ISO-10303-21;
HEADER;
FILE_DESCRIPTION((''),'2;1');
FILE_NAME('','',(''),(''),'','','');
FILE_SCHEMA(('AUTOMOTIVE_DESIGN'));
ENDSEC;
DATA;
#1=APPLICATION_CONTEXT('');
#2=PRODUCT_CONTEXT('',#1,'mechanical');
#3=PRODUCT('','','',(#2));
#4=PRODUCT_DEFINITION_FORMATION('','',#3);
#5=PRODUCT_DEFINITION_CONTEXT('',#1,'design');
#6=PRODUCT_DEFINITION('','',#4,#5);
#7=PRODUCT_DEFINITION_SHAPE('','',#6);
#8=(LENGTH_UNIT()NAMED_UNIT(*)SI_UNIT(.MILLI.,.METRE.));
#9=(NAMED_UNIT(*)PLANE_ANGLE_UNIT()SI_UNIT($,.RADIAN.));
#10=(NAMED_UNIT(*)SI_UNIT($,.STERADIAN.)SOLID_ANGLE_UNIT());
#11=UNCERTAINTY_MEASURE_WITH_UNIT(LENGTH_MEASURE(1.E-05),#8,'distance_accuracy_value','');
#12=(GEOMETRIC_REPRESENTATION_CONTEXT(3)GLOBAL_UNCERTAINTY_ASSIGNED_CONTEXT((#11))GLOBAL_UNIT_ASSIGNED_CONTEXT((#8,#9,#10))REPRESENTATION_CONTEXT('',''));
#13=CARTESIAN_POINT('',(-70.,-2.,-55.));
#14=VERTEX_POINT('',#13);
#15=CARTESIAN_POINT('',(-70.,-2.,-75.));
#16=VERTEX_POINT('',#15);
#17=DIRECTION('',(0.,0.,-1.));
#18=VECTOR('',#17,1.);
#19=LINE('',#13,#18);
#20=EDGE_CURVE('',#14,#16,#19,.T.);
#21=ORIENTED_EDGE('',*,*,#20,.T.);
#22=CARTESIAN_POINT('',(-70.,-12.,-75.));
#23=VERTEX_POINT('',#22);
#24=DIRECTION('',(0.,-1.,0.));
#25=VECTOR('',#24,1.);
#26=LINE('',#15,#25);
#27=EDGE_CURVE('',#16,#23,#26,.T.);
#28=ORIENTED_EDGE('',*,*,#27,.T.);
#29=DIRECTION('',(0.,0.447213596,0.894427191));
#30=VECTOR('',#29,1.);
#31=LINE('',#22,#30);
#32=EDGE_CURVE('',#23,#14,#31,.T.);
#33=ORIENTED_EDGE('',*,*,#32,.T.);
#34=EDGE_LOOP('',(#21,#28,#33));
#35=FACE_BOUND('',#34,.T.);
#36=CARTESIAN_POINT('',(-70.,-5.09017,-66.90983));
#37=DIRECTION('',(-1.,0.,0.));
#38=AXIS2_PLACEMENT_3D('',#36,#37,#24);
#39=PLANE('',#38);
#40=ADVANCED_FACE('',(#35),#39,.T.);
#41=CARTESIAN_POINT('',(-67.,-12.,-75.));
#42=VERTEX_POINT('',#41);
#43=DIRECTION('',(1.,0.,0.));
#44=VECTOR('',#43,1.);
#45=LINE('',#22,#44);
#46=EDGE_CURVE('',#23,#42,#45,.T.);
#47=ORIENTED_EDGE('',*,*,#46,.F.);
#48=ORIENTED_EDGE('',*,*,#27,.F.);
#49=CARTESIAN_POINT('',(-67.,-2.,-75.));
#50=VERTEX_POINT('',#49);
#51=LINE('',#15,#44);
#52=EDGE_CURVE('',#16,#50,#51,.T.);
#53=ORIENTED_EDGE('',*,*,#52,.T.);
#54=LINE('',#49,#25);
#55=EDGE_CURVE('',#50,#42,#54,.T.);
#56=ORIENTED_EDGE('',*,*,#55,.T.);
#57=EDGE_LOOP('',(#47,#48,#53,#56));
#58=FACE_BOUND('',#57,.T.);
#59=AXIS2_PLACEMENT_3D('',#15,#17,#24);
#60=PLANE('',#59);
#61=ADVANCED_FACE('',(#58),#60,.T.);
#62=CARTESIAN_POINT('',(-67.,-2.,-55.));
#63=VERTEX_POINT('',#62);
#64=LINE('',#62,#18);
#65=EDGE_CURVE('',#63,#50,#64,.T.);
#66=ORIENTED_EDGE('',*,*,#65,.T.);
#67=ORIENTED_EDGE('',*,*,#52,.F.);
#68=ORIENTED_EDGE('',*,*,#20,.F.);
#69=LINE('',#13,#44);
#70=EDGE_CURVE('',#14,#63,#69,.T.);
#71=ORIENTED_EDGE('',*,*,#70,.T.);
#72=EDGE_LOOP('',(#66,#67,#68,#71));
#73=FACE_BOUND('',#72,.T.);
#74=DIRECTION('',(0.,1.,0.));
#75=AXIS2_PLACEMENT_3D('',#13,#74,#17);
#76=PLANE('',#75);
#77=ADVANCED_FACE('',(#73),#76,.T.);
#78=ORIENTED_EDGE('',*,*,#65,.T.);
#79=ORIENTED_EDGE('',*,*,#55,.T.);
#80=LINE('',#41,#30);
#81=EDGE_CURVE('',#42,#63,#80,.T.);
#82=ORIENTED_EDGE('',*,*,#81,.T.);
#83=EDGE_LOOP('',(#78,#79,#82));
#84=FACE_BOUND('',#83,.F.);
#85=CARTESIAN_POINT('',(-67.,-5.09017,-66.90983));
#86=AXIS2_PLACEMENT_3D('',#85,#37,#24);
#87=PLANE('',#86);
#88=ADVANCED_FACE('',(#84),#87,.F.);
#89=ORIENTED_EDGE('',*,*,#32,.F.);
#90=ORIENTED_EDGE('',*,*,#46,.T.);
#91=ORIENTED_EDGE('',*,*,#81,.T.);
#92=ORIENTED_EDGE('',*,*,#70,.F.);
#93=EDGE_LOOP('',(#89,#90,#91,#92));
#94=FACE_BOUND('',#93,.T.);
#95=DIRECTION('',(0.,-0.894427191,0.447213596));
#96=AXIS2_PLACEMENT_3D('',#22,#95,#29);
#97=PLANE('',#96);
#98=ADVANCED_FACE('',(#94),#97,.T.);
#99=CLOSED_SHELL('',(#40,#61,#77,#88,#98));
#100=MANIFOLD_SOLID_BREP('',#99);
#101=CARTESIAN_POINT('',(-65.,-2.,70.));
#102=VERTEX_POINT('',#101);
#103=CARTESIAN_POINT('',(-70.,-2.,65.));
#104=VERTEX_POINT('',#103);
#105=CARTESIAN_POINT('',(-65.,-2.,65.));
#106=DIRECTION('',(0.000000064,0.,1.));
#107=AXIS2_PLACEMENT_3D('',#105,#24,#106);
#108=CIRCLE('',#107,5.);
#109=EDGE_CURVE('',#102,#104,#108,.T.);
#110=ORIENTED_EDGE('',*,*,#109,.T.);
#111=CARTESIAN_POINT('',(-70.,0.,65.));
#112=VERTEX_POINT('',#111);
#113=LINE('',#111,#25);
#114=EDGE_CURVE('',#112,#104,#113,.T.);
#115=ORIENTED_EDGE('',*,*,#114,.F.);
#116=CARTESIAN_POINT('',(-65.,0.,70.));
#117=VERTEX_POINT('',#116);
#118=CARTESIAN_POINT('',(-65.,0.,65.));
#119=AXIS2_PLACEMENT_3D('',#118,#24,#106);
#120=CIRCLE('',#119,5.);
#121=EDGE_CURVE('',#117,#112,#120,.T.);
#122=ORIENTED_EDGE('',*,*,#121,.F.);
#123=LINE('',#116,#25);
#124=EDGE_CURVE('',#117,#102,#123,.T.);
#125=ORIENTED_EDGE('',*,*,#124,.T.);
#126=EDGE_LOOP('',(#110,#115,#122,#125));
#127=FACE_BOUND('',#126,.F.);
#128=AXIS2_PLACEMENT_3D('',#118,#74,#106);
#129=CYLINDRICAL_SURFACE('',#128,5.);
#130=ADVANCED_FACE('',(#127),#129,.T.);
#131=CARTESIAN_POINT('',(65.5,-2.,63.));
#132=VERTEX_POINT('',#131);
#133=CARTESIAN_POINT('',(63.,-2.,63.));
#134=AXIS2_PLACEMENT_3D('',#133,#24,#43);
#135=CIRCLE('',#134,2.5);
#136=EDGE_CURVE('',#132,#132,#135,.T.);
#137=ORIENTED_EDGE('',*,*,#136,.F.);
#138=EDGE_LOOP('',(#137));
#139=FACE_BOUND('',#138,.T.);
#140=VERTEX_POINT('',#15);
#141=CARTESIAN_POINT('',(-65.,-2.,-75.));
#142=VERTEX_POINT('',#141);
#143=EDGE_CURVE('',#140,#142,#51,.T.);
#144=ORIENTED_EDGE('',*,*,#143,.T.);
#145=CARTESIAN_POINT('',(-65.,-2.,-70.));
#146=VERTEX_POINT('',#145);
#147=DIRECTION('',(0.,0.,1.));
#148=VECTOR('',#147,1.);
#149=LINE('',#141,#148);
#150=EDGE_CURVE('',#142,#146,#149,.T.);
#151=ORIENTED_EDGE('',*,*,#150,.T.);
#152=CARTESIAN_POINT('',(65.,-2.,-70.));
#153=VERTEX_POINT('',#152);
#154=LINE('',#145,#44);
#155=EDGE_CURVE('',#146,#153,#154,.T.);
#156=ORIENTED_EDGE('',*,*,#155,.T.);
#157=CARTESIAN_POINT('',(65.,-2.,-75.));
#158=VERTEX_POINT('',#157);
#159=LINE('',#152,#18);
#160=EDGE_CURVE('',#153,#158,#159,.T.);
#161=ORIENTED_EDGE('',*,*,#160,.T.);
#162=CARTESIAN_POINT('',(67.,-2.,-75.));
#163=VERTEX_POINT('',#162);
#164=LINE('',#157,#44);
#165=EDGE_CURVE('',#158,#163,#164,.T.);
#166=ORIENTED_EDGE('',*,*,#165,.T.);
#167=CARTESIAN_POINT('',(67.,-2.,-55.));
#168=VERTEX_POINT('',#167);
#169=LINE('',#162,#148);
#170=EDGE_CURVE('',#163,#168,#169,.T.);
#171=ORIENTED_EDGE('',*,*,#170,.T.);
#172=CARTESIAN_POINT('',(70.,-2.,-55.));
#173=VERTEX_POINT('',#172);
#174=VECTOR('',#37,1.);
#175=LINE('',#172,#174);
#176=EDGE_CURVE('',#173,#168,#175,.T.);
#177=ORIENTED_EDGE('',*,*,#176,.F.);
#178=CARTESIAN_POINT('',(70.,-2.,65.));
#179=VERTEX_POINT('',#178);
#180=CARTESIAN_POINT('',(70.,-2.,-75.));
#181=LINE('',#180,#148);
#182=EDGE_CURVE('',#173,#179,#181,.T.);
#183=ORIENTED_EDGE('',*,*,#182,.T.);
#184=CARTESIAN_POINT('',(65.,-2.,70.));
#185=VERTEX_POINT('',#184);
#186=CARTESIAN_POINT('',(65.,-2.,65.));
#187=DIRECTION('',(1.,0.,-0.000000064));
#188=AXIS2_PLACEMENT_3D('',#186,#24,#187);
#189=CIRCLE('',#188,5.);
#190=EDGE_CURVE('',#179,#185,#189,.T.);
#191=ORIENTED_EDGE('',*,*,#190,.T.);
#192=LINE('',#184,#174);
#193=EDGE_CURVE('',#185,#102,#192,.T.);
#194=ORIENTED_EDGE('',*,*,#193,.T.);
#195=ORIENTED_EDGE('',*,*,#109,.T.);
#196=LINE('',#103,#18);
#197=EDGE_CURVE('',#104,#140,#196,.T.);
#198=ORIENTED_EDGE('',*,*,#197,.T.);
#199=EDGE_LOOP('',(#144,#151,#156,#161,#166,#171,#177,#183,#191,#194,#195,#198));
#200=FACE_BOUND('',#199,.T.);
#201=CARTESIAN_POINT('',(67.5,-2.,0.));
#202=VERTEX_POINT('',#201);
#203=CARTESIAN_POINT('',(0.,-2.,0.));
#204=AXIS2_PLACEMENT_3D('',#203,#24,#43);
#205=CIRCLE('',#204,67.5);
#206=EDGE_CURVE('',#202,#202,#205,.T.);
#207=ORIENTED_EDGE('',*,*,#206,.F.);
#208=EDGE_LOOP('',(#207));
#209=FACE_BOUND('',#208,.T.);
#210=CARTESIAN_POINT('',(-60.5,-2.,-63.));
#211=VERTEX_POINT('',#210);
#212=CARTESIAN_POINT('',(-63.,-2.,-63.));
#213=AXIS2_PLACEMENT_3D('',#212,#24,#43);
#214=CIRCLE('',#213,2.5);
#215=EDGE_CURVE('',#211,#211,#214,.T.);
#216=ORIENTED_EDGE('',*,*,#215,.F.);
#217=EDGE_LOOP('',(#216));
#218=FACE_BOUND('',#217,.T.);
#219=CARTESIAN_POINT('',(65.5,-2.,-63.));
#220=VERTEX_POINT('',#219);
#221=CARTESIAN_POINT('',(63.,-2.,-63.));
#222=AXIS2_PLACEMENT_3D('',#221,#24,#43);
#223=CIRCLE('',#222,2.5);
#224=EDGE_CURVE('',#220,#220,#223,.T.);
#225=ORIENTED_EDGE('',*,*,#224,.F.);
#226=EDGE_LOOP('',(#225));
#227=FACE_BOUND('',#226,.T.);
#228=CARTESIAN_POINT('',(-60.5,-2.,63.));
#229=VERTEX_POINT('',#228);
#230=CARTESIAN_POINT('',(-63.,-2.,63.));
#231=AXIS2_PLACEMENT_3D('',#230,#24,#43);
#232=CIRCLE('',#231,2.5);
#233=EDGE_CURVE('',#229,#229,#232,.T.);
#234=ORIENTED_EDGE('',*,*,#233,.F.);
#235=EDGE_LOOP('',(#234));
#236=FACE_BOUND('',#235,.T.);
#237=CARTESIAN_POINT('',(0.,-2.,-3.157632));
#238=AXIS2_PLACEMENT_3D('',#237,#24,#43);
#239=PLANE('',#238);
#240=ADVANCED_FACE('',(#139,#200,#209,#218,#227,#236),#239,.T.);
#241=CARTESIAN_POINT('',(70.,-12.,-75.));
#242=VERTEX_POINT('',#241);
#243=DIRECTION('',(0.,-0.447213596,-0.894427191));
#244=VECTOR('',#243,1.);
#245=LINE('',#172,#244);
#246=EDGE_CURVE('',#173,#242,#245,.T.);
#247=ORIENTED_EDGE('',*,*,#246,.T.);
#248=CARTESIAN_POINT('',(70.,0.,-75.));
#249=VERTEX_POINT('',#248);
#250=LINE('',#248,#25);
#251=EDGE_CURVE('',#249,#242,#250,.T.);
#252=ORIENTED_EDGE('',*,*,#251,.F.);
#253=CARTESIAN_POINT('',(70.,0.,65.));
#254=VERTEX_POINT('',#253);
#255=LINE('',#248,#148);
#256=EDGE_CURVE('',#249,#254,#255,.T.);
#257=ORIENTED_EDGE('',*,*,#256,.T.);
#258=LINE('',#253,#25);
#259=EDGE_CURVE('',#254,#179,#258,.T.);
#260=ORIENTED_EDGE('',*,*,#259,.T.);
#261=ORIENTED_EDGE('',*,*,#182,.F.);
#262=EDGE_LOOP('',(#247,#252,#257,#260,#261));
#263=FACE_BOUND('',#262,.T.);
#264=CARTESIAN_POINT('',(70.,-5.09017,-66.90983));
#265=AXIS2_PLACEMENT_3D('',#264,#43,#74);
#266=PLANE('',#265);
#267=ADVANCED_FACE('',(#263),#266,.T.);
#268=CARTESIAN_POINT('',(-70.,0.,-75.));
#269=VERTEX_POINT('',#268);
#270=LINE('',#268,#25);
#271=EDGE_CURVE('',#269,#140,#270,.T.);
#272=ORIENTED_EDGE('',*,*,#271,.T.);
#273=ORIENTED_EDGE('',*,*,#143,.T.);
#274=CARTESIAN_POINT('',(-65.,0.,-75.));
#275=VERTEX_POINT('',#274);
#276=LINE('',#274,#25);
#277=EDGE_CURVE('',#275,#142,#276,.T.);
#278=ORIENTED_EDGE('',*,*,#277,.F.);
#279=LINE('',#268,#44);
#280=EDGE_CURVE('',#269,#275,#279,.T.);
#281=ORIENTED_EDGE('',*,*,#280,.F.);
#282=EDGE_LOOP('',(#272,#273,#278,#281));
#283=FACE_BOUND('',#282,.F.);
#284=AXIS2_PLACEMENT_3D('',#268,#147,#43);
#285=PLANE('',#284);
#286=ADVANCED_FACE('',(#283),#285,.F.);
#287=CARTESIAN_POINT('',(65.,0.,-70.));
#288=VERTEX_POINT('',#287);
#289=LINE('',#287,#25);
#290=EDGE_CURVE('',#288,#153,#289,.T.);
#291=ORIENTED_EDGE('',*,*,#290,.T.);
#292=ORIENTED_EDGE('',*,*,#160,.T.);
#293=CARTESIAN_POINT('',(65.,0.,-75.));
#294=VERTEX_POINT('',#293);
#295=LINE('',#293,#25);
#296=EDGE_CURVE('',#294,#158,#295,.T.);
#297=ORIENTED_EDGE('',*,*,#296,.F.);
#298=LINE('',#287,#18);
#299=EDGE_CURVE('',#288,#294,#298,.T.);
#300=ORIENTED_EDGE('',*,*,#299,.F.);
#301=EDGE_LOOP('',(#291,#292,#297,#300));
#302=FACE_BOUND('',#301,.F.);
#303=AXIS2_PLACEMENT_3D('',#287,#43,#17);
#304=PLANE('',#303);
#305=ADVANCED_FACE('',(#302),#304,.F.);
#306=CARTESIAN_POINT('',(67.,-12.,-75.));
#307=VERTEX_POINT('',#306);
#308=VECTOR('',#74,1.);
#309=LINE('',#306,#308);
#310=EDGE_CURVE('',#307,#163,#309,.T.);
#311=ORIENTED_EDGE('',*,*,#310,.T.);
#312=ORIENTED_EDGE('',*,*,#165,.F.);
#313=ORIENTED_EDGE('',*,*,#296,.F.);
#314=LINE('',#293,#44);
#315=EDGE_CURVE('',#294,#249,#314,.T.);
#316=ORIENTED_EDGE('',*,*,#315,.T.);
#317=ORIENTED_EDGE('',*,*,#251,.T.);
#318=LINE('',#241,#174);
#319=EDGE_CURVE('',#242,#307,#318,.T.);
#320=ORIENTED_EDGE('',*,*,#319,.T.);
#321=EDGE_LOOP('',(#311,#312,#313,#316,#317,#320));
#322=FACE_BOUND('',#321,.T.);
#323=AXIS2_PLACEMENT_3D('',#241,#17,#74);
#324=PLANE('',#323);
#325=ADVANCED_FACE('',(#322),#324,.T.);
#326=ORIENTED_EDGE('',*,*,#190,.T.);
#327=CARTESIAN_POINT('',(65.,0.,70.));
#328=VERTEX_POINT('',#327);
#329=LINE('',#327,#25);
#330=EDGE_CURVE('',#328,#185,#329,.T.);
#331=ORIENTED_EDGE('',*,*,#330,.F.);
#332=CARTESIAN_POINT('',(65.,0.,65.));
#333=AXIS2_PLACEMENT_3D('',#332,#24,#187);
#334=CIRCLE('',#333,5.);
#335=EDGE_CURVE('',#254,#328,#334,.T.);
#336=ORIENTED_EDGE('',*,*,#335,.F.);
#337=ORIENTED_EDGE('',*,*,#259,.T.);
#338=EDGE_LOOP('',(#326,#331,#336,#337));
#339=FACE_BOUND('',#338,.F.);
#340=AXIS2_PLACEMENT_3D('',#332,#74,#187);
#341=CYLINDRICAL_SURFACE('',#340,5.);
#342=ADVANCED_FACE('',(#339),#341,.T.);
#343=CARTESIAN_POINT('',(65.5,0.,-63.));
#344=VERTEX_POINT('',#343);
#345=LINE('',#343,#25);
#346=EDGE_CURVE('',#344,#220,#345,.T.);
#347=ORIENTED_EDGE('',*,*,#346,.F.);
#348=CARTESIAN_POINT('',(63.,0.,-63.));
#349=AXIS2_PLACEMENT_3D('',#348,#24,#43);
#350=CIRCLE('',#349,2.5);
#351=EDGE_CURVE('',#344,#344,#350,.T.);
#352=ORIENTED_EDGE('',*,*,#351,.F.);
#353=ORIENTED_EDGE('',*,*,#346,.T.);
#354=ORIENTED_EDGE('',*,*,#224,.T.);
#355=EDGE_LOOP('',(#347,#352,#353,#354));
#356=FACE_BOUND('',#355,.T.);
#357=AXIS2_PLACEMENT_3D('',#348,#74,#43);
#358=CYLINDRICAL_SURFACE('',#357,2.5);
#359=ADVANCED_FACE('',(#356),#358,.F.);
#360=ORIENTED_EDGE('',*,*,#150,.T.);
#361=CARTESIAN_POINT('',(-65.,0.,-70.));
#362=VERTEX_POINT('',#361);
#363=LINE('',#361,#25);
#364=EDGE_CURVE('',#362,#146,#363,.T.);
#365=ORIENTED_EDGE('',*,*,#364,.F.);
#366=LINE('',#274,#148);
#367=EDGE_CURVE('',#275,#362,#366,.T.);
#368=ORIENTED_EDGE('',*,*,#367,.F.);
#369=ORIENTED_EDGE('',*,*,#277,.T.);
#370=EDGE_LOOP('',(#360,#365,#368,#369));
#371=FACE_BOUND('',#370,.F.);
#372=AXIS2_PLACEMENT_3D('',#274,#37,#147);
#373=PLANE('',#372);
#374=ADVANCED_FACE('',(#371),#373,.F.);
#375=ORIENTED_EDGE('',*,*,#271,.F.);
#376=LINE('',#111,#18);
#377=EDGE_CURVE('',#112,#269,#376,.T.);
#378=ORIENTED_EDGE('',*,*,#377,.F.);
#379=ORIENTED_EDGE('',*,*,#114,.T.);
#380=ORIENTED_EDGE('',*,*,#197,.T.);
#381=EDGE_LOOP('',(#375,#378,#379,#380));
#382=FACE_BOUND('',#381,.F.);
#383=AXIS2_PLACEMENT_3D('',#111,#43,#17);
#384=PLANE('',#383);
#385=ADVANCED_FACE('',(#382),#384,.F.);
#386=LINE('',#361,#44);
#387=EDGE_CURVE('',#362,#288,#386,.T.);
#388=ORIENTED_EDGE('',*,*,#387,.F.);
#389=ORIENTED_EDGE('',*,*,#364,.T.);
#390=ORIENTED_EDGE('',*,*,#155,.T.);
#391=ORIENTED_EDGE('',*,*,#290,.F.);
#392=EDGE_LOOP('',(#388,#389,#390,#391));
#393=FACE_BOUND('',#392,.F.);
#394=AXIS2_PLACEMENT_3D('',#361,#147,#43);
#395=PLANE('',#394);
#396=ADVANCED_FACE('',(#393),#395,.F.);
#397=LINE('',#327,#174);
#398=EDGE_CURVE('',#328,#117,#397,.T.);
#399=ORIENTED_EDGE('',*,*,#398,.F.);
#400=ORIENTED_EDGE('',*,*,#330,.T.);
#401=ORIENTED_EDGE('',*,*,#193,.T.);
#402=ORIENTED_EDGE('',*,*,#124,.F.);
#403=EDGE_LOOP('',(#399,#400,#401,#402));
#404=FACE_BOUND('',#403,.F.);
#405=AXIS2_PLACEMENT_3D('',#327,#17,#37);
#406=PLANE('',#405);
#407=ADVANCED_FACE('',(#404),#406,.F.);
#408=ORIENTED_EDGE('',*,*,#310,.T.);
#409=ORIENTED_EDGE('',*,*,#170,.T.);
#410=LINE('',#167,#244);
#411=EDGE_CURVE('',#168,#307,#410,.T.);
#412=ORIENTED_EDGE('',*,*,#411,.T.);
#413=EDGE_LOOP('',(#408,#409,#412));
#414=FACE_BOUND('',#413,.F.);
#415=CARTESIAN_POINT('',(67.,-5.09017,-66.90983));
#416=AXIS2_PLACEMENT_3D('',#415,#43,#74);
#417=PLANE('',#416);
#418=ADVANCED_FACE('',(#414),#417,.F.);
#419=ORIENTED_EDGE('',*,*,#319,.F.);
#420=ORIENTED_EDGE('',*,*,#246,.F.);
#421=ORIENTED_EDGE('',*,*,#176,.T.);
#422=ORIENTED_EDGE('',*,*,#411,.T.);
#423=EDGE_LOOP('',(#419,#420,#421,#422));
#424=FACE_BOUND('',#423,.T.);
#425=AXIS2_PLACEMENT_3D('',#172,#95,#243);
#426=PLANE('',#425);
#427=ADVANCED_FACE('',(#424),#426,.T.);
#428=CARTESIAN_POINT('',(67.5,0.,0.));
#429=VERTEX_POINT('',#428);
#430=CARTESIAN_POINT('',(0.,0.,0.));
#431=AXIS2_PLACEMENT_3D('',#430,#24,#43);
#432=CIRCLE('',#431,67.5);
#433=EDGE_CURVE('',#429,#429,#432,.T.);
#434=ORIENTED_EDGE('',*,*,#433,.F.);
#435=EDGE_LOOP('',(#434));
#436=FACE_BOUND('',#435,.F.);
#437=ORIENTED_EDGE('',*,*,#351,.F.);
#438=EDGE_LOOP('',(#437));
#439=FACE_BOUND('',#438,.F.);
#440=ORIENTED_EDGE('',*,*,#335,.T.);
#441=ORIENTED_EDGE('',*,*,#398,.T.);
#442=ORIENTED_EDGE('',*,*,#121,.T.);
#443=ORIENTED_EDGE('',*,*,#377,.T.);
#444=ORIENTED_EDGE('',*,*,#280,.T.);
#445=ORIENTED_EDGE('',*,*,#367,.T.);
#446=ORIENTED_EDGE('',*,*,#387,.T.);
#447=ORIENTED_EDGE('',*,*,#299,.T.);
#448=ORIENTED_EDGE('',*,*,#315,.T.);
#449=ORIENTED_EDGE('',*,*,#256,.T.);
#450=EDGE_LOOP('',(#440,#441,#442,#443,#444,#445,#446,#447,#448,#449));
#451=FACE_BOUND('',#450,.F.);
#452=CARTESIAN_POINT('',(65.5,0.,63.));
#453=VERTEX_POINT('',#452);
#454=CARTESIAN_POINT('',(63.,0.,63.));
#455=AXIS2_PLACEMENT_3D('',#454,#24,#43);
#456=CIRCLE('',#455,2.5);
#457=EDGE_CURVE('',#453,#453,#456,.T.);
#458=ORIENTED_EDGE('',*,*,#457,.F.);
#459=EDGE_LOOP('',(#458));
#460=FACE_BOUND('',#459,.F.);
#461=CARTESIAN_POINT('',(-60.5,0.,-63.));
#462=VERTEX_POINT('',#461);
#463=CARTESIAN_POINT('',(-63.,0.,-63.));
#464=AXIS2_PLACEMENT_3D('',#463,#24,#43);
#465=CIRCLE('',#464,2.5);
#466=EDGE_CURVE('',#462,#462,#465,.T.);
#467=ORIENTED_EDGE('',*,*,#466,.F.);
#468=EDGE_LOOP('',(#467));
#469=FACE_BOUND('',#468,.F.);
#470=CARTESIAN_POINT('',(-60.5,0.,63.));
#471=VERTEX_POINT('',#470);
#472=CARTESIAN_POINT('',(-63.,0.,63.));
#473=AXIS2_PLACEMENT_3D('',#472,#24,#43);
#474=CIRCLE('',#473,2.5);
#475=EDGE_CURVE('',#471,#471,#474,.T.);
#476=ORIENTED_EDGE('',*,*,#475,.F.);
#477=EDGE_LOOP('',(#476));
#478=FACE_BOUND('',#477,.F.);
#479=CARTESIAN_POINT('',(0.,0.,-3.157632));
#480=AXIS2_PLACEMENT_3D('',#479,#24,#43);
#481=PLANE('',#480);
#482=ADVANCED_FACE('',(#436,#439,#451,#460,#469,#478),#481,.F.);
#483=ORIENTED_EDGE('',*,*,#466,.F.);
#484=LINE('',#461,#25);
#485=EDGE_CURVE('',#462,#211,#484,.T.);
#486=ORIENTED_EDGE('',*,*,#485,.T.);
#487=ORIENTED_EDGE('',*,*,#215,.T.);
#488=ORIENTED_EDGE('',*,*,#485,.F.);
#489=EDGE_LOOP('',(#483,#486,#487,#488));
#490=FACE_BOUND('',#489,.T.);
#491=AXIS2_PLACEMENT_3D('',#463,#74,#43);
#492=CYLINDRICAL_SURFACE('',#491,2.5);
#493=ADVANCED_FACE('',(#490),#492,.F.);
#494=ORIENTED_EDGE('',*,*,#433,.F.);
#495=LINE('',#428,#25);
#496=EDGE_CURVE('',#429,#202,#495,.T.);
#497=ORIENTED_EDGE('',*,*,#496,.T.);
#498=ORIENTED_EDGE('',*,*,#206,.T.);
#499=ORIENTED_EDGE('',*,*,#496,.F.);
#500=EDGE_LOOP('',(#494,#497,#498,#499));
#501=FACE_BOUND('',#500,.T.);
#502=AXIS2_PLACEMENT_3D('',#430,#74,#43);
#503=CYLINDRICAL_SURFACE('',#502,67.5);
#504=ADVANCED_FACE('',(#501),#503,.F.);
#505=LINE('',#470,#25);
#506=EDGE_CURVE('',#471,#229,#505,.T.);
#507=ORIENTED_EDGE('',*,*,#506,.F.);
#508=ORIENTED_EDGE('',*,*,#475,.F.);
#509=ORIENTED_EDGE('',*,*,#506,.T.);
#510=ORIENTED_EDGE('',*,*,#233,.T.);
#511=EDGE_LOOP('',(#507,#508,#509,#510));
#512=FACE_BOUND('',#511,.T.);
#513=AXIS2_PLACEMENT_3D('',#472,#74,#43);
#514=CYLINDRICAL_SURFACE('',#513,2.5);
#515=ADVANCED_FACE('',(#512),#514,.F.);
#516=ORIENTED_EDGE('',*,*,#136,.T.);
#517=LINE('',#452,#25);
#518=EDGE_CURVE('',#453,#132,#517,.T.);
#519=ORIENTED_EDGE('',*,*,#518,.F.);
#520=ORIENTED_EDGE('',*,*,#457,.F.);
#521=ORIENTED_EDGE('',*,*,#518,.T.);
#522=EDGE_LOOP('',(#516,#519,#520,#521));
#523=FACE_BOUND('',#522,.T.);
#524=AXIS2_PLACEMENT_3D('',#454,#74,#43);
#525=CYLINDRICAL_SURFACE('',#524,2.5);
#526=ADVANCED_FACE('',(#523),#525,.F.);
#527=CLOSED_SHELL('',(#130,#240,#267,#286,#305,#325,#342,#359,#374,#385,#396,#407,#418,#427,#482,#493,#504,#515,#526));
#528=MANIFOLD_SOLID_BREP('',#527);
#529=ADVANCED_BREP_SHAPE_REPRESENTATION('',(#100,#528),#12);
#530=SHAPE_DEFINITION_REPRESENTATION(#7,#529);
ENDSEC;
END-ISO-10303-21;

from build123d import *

# Parameters (mm, degrees)
F0_R     = 2.5
F0_R_2   = 67.5
F1_DEPTH = 2
F3_DEPTH = 3
F5_DEPTH = 3


with BuildPart() as f1:
    # F0 (on Front) → F1 (new body)
    with BuildSketch(Plane.XZ):
        with BuildLine():
            Line((-65, -75), (-65, -70))
            Line((-65, -70), (65, -70))
            Line((65, -70), (65, -75))
            Line((65, -75), (70, -75))
            Line((70, -75), (70, 65))
            ThreePointArc((70, 65), (68.535534, 68.535534), (65, 70))
            Line((65, 70), (-65, 70))
            ThreePointArc((-65, 70), (-68.535534, 68.535534), (-70, 65))
            Line((-70, 65), (-70, -75))
            Line((-70, -75), (-65, -75))
        make_face()
        with Locations((-63, -63)):
            Circle(F0_R, mode=Mode.SUBTRACT)
        with Locations((63, -63)):
            Circle(F0_R, mode=Mode.SUBTRACT)
        with Locations((-63, 63)):
            Circle(F0_R, mode=Mode.SUBTRACT)
        Circle(F0_R_2, mode=Mode.SUBTRACT)
        with Locations((63, 63)):
            Circle(F0_R, mode=Mode.SUBTRACT)
    extrude(amount=F1_DEPTH)

    # F4 (on face) → F5 (join)
    with BuildSketch(Plane.YZ.offset(70)):
        Polygon((-12, -75), (-2, -75), (-2, -55), align=None)
    extrude(amount=-F5_DEPTH)


with BuildPart() as f3:
    # F2 (on face) → F3 (new body)
    with BuildSketch(Plane(origin=(-70, 0, 0), x_dir=(0, -1, 0), z_dir=(-1, 0, 0))):
        Polygon((2, -55), (2, -75), (12, -75), align=None)
    extrude(amount=-F3_DEPTH)


solid = Compound([f1.part, f3.part])
